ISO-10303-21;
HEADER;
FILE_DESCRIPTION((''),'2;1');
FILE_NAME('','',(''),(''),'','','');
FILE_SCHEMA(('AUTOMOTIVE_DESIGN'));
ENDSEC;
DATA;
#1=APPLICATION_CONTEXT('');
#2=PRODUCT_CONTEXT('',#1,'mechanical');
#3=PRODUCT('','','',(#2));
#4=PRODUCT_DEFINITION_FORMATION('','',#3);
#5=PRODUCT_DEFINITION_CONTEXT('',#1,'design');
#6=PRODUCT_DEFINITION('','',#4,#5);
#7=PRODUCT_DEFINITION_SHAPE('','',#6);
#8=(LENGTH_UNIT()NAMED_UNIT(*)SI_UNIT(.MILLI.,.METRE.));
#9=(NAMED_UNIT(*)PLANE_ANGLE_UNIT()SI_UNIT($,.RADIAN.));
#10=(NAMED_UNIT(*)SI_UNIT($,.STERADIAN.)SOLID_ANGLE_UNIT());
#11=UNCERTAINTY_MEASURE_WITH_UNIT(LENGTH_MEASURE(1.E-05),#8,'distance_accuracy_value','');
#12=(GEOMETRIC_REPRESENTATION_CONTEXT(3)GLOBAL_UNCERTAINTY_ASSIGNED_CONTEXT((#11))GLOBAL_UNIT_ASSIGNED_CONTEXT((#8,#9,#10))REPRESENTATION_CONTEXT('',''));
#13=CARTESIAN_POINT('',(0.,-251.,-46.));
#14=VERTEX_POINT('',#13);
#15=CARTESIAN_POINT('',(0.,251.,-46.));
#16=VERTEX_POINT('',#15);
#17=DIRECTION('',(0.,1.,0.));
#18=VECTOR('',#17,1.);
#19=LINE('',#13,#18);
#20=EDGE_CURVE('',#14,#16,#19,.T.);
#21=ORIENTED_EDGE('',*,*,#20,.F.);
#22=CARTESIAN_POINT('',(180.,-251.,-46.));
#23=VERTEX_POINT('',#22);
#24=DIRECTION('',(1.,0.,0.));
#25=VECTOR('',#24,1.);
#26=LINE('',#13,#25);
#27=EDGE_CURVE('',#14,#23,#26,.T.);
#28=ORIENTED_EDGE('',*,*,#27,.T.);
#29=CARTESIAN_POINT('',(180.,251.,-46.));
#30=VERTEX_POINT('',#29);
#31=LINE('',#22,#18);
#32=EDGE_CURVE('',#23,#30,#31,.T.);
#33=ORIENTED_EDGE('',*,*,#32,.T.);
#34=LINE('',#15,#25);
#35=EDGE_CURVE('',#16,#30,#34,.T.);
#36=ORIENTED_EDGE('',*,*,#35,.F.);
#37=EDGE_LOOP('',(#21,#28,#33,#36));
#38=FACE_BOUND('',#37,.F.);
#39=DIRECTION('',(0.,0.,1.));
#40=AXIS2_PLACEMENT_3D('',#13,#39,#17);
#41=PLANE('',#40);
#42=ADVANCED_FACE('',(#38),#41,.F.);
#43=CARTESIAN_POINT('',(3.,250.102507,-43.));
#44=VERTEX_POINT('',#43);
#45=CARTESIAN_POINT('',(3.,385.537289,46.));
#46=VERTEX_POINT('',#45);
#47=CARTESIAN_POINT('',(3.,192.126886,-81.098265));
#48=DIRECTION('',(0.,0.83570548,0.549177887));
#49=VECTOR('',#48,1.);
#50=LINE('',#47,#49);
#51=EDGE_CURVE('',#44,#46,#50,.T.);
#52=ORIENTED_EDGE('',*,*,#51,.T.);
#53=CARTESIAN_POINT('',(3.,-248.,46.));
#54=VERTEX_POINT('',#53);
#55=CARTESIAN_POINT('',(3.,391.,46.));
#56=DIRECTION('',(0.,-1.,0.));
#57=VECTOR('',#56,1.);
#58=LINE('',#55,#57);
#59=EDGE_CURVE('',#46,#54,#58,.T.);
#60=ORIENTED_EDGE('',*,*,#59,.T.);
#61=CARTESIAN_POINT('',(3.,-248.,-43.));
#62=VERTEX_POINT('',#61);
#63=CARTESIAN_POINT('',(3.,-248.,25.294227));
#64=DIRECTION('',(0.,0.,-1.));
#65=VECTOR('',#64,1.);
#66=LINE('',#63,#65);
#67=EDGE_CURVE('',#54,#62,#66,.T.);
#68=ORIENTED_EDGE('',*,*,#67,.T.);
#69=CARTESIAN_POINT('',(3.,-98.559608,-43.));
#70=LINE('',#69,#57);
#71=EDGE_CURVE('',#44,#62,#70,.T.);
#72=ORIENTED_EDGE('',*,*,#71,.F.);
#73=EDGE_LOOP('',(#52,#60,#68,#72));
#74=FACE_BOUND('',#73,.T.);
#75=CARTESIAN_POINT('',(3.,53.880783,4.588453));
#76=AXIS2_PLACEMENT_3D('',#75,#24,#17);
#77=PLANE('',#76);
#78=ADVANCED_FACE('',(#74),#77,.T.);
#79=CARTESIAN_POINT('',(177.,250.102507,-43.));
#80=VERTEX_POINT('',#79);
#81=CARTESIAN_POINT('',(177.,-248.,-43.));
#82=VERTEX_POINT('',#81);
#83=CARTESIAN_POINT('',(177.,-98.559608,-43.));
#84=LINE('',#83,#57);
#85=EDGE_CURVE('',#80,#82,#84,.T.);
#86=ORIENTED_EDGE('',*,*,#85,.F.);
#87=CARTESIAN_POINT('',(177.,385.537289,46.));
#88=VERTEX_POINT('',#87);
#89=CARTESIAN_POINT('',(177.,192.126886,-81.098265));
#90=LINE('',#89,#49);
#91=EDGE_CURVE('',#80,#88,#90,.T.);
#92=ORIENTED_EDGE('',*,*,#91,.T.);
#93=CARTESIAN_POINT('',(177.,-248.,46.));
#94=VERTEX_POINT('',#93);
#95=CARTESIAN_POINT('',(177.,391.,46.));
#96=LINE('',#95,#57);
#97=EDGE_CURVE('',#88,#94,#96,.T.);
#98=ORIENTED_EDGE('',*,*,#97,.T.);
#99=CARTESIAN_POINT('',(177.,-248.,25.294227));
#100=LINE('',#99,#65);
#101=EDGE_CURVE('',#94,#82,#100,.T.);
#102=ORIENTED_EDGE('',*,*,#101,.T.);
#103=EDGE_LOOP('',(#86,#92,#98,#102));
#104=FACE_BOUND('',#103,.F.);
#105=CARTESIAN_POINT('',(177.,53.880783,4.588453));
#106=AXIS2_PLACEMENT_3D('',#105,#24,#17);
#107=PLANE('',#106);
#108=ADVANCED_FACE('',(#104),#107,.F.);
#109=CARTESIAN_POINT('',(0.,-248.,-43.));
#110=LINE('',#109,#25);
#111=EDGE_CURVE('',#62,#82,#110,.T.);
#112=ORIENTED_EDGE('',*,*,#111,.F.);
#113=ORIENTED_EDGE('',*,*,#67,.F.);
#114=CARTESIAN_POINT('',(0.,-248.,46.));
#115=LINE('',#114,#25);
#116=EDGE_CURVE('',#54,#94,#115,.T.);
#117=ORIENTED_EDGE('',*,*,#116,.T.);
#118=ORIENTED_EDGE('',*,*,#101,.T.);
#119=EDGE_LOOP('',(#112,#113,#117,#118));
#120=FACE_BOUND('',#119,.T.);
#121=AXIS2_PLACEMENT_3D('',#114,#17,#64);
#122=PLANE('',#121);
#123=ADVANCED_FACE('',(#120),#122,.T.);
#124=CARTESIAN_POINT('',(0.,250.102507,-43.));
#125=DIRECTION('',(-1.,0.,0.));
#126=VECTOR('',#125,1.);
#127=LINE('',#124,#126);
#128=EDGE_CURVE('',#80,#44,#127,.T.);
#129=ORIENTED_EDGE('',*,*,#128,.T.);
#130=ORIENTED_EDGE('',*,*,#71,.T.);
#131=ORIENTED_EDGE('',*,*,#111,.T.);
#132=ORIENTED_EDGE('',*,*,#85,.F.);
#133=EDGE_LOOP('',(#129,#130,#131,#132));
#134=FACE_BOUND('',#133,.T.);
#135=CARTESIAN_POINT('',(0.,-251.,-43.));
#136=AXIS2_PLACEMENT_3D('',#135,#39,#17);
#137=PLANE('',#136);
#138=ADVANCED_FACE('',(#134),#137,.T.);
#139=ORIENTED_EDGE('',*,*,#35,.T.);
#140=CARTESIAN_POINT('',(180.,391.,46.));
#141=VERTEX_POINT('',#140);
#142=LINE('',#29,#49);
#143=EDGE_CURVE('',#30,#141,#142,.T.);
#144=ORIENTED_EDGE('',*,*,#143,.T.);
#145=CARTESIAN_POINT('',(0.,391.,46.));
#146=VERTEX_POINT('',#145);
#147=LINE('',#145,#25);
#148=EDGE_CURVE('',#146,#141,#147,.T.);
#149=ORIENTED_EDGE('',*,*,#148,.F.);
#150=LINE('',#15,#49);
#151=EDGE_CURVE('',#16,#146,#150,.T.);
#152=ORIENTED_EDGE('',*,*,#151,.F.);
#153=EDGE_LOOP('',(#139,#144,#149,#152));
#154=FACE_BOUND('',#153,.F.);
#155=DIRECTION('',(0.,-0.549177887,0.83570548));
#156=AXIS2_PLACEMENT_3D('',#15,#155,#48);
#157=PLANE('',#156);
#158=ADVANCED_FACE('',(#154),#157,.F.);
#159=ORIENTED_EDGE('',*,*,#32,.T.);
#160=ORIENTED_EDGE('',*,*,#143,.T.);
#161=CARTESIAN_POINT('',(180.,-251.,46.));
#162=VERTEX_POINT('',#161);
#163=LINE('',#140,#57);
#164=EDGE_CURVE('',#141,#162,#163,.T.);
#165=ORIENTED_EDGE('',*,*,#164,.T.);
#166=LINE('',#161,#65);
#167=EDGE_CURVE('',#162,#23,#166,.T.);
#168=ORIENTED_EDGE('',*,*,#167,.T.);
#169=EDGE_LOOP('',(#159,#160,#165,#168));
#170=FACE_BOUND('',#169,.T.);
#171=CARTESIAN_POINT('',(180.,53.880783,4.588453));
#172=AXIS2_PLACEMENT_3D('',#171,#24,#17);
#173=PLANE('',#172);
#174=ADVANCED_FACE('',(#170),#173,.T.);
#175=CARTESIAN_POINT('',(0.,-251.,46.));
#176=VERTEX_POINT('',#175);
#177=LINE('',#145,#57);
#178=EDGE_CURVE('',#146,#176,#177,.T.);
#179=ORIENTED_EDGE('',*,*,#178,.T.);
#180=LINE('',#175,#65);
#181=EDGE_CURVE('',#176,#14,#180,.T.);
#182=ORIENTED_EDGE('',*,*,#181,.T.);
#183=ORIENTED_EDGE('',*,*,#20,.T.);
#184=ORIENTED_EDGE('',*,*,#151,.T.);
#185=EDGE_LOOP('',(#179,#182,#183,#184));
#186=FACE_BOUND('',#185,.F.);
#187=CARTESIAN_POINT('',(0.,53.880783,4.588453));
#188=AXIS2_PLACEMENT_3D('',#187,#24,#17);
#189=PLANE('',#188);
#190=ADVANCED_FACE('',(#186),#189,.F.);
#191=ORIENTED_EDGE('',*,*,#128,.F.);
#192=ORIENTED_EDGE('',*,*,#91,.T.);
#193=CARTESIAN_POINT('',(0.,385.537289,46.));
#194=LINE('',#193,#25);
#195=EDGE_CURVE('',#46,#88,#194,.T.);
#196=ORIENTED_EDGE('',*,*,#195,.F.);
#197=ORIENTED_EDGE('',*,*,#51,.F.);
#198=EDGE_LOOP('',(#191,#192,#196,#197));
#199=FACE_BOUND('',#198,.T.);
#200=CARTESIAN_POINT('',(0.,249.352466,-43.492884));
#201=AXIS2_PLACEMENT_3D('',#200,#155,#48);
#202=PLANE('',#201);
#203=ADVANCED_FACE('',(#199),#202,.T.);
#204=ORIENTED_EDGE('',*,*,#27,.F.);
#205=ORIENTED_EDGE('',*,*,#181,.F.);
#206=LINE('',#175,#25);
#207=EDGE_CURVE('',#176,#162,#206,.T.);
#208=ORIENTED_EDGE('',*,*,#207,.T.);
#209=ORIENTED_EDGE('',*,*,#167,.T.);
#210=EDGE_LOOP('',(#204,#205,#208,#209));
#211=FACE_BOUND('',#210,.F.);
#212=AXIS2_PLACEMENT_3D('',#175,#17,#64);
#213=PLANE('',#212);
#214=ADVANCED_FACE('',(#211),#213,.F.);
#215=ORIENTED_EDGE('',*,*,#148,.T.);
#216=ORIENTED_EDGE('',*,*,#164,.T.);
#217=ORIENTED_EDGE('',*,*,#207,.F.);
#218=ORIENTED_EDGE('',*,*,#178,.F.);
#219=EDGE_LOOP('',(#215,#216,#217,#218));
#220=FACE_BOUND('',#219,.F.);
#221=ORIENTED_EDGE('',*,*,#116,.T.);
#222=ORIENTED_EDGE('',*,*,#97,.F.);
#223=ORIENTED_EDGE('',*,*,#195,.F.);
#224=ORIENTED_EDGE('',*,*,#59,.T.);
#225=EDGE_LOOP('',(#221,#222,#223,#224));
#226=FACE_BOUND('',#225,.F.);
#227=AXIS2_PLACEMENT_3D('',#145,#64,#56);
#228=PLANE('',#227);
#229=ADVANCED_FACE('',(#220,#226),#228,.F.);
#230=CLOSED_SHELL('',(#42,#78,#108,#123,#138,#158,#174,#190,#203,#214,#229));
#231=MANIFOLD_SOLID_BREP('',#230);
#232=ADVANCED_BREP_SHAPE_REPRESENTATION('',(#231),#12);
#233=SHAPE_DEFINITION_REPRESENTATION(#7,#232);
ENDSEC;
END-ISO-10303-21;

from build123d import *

# Parameters (mm, degrees)
F1_DEPTH = 180
F2_T     = -3


with BuildPart() as f1:
    # F0 (on Right) → F1 (new body)
    with BuildSketch(Plane.YZ):
        Polygon((-251, 46), (-251, -46), (251, -46), (391, 46), (251, 46), align=None)
    extrude(amount=F1_DEPTH)

    # F2
    f2_openings = [f1.faces().sort_by_distance(p)[0] for p in [
        (90, 70, 46),
    ]]
    offset(amount=F2_T, openings=f2_openings)


solid = f1.part
